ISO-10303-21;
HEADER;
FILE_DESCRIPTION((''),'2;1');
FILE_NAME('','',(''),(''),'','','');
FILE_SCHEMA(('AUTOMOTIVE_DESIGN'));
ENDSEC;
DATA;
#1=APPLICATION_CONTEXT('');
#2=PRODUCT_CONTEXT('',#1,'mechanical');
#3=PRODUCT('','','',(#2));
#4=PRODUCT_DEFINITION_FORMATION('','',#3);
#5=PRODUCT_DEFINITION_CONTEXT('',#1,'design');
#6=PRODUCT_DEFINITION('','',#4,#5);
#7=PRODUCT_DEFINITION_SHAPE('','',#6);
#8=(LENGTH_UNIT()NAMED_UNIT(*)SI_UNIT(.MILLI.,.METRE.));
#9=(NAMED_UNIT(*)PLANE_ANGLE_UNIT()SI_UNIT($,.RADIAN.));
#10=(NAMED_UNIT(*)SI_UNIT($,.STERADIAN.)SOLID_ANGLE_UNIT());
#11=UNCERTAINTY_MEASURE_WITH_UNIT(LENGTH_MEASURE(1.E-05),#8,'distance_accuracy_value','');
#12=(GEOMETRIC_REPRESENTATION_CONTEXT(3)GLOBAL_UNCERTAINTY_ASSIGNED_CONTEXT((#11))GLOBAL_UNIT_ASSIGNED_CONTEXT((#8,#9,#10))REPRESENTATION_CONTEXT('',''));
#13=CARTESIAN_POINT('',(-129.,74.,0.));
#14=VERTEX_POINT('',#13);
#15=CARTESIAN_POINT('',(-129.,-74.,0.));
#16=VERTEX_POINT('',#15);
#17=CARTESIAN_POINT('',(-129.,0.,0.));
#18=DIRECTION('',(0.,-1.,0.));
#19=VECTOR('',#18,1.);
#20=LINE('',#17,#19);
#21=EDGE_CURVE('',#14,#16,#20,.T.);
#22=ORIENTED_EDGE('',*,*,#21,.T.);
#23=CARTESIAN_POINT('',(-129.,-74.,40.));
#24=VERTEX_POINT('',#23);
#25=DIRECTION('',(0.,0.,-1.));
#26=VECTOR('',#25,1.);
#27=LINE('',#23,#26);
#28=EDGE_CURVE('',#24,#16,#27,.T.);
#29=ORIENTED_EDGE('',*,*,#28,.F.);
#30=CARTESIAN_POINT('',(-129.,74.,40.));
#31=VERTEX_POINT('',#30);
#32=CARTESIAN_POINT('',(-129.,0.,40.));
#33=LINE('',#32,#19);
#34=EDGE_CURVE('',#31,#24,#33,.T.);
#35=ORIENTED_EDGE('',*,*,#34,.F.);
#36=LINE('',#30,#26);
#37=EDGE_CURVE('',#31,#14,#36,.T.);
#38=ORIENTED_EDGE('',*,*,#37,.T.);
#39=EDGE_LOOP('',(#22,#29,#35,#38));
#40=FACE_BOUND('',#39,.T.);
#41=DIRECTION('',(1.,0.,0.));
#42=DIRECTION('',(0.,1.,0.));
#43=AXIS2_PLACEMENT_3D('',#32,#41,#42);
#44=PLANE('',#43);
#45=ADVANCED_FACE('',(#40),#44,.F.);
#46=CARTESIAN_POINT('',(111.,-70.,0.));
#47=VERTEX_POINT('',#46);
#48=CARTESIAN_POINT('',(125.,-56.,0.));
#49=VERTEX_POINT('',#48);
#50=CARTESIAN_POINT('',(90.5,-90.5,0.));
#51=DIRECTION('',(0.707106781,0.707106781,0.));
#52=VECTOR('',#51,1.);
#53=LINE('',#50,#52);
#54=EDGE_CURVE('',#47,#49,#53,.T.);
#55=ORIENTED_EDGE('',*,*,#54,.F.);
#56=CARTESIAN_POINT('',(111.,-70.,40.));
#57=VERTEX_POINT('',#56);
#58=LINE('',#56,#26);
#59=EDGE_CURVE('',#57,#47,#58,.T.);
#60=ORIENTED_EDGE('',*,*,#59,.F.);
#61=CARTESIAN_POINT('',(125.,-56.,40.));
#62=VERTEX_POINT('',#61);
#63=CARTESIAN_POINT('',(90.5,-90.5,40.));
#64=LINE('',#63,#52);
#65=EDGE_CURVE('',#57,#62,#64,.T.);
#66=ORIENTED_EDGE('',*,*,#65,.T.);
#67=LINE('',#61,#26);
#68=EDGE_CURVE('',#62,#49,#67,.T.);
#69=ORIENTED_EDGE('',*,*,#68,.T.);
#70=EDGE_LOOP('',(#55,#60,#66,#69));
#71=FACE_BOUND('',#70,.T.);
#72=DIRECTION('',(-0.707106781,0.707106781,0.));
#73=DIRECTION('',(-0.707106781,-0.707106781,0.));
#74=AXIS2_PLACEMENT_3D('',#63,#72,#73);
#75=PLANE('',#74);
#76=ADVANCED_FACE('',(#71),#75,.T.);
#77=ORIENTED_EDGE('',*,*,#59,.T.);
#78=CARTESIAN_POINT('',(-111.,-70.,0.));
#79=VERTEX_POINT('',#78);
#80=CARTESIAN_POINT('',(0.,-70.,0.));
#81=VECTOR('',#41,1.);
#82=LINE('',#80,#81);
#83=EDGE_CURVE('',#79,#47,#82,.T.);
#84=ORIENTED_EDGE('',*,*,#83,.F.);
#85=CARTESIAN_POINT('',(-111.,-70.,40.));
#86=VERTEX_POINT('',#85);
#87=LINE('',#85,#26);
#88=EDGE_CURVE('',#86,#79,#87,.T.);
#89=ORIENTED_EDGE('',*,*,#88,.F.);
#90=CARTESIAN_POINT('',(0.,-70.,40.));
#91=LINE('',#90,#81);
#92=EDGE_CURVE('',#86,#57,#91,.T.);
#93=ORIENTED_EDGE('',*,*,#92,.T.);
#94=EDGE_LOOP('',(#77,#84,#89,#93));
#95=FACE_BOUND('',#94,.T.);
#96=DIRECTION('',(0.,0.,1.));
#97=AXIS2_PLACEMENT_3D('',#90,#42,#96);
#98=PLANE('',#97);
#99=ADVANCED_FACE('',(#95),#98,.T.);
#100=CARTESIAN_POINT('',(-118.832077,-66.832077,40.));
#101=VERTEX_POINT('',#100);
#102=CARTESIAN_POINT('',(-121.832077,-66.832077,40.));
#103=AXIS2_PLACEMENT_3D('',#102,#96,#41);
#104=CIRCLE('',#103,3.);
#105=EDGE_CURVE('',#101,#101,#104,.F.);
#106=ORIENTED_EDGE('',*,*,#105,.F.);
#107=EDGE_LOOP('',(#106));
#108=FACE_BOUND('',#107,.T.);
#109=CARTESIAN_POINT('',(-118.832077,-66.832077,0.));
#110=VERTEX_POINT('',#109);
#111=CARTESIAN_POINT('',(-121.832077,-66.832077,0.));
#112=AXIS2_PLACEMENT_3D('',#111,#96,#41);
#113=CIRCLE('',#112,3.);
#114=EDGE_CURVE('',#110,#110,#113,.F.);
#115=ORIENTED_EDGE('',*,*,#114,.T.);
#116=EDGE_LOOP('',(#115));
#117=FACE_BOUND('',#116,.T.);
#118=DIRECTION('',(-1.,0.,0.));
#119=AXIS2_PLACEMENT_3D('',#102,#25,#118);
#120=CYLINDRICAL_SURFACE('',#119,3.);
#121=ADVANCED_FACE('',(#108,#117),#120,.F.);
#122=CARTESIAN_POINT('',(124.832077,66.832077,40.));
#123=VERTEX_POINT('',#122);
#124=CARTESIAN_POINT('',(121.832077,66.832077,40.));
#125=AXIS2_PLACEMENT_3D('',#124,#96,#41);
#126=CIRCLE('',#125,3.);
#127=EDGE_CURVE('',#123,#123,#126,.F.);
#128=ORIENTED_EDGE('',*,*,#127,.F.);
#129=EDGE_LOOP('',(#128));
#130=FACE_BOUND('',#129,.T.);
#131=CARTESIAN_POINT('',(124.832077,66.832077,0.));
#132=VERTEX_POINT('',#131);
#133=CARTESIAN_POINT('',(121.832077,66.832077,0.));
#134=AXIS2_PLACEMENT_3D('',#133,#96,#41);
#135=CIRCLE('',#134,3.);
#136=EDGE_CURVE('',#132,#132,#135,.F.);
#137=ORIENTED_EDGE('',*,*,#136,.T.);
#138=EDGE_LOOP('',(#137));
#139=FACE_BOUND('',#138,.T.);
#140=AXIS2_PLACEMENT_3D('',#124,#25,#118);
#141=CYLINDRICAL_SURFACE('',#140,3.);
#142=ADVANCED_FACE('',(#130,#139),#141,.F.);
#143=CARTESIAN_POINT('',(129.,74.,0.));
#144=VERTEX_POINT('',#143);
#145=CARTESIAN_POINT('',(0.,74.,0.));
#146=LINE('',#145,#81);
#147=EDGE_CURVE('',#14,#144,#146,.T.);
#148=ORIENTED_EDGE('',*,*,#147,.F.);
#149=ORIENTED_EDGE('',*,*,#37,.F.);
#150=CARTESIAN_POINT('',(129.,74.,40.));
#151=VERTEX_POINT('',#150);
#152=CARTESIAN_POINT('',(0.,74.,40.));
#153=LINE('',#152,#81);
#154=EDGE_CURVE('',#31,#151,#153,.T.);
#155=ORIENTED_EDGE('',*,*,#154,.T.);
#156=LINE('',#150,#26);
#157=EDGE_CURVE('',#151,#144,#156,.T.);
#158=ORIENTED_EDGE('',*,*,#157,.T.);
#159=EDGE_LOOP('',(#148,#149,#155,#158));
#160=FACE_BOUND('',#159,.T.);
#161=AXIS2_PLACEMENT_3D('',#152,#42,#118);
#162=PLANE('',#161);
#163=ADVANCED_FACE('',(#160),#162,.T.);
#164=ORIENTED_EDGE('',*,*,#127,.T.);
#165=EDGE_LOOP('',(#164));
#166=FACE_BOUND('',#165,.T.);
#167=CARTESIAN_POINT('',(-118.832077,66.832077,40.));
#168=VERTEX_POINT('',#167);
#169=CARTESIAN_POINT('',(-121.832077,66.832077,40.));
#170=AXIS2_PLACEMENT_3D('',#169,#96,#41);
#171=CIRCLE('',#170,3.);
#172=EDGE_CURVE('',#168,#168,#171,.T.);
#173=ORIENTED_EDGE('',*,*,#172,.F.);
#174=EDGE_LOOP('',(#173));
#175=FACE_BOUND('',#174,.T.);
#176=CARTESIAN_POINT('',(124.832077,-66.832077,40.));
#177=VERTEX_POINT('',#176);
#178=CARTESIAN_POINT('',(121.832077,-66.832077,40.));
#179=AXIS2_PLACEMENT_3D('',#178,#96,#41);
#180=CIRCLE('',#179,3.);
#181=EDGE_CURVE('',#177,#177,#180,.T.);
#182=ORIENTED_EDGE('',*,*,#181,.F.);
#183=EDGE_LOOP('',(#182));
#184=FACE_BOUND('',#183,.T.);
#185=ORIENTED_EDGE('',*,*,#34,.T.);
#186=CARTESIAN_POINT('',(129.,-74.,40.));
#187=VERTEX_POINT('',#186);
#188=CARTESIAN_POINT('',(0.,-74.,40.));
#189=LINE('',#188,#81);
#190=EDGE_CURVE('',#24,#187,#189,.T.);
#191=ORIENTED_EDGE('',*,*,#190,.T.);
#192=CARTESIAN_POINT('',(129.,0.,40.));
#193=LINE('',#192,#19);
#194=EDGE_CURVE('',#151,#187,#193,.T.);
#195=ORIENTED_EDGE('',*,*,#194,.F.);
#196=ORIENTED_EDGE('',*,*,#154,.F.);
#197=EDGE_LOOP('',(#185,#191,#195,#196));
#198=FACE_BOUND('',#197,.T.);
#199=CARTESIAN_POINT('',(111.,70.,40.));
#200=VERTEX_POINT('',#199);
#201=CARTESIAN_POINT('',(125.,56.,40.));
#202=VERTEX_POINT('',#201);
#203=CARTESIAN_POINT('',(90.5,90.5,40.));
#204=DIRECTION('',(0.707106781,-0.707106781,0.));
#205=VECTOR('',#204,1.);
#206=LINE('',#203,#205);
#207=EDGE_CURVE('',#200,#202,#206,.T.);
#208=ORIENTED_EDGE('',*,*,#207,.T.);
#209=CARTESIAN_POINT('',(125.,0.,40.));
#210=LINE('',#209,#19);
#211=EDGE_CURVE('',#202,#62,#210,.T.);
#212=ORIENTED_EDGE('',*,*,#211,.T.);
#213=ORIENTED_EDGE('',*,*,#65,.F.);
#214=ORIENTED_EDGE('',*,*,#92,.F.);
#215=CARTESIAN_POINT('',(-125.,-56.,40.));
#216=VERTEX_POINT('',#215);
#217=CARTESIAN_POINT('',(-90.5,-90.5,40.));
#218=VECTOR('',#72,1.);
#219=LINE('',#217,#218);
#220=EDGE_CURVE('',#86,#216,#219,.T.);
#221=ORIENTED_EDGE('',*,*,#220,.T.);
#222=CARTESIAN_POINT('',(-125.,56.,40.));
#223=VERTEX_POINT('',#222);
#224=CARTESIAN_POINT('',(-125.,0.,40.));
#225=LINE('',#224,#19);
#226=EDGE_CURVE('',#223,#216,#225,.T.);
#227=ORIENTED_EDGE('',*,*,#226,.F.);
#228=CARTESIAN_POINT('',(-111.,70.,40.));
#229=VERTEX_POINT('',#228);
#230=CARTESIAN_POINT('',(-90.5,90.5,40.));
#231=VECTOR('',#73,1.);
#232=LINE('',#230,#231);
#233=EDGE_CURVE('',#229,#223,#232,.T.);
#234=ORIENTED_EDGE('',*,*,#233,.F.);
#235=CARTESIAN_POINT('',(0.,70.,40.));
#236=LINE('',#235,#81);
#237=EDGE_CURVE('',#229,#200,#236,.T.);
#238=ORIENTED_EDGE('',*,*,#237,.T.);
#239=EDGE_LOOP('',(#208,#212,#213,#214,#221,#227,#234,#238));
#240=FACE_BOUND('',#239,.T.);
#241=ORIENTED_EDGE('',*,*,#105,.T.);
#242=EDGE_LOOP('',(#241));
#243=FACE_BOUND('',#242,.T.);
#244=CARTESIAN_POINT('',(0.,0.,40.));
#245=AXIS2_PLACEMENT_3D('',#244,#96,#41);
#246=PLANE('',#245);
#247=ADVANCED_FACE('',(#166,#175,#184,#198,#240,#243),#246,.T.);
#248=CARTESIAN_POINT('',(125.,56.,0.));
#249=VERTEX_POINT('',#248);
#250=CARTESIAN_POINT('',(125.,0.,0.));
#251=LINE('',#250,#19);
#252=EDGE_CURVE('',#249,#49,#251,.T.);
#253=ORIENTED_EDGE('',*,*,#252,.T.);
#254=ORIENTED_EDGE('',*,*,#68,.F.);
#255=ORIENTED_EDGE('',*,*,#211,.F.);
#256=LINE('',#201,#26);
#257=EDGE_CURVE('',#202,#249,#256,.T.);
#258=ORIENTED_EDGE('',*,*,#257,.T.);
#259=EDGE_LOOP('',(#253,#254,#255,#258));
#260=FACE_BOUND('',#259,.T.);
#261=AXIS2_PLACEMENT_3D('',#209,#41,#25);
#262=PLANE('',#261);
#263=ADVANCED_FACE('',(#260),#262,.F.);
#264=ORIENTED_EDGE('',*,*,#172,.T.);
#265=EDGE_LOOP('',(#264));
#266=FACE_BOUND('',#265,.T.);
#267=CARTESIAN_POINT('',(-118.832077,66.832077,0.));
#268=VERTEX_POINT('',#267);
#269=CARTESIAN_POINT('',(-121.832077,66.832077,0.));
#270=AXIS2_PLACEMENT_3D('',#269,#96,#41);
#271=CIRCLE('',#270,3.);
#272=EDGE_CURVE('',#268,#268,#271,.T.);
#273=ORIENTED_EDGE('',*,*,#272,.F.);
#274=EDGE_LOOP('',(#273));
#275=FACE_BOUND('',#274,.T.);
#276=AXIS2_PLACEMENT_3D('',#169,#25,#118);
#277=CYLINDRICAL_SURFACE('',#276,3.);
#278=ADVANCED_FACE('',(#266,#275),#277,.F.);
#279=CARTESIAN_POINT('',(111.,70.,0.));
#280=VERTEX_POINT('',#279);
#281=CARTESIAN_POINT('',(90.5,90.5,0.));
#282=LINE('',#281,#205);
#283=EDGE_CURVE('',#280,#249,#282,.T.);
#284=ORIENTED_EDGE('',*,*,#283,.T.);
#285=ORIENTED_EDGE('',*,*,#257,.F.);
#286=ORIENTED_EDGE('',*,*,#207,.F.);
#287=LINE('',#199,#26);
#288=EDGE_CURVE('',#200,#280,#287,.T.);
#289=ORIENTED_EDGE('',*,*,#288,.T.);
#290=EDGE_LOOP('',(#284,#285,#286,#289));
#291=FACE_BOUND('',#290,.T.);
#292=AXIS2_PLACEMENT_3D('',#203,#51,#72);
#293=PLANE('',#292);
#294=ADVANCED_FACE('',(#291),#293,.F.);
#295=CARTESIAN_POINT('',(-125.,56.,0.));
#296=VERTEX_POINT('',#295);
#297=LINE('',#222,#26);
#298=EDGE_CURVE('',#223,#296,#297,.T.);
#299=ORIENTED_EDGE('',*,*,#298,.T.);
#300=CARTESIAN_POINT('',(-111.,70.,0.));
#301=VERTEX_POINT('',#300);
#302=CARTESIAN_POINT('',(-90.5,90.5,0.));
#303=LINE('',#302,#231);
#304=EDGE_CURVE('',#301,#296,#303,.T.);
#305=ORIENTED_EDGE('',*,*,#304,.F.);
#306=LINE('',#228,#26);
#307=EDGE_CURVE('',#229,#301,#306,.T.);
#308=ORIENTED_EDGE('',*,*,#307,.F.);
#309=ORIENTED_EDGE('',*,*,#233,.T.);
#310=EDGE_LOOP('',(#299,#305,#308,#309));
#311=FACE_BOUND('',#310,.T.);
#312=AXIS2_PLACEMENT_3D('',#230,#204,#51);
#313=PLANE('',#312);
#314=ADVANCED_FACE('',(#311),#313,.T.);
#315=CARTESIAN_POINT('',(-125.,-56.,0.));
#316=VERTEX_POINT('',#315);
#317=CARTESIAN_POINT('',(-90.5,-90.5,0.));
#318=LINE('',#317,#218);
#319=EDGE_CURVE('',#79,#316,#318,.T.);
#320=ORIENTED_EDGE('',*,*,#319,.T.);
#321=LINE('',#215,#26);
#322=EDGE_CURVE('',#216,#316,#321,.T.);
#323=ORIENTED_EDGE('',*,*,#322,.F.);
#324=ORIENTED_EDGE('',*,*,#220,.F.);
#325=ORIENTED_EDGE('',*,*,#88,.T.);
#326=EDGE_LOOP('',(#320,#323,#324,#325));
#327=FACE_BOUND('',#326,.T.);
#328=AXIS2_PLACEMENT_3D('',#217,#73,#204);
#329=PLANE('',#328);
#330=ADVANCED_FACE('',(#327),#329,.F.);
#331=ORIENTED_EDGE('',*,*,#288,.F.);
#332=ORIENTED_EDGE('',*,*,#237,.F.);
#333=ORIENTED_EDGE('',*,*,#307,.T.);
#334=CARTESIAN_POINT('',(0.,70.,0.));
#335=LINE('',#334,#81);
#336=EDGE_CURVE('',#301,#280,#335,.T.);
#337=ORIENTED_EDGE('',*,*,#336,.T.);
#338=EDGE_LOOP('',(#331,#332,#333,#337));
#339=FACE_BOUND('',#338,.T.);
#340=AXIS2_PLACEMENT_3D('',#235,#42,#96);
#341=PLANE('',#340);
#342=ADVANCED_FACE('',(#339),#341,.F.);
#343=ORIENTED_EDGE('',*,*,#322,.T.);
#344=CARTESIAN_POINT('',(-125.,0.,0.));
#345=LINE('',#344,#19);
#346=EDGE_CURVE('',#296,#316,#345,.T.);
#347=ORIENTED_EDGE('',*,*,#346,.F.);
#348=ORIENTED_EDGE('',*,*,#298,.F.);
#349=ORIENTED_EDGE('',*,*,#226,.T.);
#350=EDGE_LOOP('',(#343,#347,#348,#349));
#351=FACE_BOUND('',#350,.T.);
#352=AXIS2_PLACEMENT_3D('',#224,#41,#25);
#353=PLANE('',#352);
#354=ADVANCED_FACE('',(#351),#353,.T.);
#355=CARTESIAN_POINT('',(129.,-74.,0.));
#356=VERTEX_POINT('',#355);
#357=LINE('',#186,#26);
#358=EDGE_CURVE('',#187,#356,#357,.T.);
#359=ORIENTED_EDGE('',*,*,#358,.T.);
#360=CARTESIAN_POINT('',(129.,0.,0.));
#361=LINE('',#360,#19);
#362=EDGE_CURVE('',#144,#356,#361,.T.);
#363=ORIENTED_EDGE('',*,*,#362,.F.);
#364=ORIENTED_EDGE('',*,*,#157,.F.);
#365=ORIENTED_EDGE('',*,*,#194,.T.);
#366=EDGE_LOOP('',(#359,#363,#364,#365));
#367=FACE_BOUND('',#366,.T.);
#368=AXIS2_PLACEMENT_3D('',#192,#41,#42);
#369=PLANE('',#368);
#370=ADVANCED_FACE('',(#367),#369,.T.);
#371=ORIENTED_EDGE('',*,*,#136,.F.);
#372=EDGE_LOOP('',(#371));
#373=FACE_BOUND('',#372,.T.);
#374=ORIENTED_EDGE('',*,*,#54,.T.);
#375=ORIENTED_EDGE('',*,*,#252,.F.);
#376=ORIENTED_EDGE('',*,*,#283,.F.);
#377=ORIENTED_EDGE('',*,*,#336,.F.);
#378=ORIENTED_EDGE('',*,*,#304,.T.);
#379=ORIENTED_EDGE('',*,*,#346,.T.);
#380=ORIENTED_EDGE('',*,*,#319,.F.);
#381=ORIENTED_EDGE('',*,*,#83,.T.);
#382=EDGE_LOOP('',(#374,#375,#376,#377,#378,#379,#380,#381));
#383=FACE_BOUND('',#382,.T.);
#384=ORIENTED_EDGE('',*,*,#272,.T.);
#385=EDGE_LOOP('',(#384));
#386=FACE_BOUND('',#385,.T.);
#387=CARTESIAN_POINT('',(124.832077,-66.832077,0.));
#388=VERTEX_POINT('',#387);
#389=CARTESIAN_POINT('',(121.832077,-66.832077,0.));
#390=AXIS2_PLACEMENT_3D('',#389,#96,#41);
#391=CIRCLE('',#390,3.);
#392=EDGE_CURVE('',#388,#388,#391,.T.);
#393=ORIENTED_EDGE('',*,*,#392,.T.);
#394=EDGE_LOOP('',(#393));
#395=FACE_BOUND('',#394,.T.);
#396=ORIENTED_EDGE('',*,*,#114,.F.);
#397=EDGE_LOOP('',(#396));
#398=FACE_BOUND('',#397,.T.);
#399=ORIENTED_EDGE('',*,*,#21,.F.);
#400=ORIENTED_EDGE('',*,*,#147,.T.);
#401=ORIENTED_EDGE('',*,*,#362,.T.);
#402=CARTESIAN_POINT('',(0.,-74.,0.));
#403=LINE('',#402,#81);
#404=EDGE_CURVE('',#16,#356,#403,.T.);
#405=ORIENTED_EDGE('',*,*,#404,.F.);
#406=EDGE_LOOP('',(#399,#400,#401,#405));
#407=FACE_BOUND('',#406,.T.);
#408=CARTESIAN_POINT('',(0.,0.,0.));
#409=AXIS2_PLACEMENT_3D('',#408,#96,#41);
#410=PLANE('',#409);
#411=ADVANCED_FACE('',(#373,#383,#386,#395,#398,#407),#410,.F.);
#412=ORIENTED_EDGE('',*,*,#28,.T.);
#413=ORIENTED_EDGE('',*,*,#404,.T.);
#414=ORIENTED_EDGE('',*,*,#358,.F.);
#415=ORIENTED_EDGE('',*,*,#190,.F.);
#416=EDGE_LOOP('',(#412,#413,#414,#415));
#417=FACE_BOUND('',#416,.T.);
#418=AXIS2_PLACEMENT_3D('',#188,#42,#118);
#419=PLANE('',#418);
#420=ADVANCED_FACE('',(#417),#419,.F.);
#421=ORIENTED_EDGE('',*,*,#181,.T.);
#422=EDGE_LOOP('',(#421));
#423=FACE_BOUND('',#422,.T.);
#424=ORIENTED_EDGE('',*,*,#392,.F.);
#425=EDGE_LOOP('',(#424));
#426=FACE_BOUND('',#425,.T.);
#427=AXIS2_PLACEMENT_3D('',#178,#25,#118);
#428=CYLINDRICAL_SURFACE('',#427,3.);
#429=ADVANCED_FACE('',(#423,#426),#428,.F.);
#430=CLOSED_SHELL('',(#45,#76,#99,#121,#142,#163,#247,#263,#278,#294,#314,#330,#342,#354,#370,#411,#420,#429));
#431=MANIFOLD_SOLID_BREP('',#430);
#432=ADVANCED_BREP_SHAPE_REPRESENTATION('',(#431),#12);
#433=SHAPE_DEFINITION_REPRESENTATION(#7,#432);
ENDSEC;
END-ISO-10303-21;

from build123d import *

# Parameters (mm, degrees)
ESQUISSE1_W        = 258
ESQUISSE1_H        = 148
ESQUISSE1_R        = 3
BOSS_EXTRU_2_DEPTH = 40


with BuildPart() as part:
    # Esquisse1 → Boss.-Extru.2 (new body)
    with BuildSketch(Plane.XY):
        Rectangle(ESQUISSE1_W, ESQUISSE1_H)
        with Locations((-121.832077187, -66.832077187)):
            Circle(ESQUISSE1_R, mode=Mode.SUBTRACT)
        with Locations((-121.832077187, 66.832077187)):
            Circle(ESQUISSE1_R, mode=Mode.SUBTRACT)
        with Locations((121.832077187, -66.832077187)):
            Circle(ESQUISSE1_R, mode=Mode.SUBTRACT)
        with Locations((121.832077187, 66.832077187)):
            Circle(ESQUISSE1_R, mode=Mode.SUBTRACT)
        Polygon((-111, -70), (111, -70), (125, -56), (125, 56), (111, 70), (-111, 70), (-125, 56), (-125, -56), align=None, mode=Mode.SUBTRACT)
    extrude(amount=BOSS_EXTRU_2_DEPTH)


solid = part.part
